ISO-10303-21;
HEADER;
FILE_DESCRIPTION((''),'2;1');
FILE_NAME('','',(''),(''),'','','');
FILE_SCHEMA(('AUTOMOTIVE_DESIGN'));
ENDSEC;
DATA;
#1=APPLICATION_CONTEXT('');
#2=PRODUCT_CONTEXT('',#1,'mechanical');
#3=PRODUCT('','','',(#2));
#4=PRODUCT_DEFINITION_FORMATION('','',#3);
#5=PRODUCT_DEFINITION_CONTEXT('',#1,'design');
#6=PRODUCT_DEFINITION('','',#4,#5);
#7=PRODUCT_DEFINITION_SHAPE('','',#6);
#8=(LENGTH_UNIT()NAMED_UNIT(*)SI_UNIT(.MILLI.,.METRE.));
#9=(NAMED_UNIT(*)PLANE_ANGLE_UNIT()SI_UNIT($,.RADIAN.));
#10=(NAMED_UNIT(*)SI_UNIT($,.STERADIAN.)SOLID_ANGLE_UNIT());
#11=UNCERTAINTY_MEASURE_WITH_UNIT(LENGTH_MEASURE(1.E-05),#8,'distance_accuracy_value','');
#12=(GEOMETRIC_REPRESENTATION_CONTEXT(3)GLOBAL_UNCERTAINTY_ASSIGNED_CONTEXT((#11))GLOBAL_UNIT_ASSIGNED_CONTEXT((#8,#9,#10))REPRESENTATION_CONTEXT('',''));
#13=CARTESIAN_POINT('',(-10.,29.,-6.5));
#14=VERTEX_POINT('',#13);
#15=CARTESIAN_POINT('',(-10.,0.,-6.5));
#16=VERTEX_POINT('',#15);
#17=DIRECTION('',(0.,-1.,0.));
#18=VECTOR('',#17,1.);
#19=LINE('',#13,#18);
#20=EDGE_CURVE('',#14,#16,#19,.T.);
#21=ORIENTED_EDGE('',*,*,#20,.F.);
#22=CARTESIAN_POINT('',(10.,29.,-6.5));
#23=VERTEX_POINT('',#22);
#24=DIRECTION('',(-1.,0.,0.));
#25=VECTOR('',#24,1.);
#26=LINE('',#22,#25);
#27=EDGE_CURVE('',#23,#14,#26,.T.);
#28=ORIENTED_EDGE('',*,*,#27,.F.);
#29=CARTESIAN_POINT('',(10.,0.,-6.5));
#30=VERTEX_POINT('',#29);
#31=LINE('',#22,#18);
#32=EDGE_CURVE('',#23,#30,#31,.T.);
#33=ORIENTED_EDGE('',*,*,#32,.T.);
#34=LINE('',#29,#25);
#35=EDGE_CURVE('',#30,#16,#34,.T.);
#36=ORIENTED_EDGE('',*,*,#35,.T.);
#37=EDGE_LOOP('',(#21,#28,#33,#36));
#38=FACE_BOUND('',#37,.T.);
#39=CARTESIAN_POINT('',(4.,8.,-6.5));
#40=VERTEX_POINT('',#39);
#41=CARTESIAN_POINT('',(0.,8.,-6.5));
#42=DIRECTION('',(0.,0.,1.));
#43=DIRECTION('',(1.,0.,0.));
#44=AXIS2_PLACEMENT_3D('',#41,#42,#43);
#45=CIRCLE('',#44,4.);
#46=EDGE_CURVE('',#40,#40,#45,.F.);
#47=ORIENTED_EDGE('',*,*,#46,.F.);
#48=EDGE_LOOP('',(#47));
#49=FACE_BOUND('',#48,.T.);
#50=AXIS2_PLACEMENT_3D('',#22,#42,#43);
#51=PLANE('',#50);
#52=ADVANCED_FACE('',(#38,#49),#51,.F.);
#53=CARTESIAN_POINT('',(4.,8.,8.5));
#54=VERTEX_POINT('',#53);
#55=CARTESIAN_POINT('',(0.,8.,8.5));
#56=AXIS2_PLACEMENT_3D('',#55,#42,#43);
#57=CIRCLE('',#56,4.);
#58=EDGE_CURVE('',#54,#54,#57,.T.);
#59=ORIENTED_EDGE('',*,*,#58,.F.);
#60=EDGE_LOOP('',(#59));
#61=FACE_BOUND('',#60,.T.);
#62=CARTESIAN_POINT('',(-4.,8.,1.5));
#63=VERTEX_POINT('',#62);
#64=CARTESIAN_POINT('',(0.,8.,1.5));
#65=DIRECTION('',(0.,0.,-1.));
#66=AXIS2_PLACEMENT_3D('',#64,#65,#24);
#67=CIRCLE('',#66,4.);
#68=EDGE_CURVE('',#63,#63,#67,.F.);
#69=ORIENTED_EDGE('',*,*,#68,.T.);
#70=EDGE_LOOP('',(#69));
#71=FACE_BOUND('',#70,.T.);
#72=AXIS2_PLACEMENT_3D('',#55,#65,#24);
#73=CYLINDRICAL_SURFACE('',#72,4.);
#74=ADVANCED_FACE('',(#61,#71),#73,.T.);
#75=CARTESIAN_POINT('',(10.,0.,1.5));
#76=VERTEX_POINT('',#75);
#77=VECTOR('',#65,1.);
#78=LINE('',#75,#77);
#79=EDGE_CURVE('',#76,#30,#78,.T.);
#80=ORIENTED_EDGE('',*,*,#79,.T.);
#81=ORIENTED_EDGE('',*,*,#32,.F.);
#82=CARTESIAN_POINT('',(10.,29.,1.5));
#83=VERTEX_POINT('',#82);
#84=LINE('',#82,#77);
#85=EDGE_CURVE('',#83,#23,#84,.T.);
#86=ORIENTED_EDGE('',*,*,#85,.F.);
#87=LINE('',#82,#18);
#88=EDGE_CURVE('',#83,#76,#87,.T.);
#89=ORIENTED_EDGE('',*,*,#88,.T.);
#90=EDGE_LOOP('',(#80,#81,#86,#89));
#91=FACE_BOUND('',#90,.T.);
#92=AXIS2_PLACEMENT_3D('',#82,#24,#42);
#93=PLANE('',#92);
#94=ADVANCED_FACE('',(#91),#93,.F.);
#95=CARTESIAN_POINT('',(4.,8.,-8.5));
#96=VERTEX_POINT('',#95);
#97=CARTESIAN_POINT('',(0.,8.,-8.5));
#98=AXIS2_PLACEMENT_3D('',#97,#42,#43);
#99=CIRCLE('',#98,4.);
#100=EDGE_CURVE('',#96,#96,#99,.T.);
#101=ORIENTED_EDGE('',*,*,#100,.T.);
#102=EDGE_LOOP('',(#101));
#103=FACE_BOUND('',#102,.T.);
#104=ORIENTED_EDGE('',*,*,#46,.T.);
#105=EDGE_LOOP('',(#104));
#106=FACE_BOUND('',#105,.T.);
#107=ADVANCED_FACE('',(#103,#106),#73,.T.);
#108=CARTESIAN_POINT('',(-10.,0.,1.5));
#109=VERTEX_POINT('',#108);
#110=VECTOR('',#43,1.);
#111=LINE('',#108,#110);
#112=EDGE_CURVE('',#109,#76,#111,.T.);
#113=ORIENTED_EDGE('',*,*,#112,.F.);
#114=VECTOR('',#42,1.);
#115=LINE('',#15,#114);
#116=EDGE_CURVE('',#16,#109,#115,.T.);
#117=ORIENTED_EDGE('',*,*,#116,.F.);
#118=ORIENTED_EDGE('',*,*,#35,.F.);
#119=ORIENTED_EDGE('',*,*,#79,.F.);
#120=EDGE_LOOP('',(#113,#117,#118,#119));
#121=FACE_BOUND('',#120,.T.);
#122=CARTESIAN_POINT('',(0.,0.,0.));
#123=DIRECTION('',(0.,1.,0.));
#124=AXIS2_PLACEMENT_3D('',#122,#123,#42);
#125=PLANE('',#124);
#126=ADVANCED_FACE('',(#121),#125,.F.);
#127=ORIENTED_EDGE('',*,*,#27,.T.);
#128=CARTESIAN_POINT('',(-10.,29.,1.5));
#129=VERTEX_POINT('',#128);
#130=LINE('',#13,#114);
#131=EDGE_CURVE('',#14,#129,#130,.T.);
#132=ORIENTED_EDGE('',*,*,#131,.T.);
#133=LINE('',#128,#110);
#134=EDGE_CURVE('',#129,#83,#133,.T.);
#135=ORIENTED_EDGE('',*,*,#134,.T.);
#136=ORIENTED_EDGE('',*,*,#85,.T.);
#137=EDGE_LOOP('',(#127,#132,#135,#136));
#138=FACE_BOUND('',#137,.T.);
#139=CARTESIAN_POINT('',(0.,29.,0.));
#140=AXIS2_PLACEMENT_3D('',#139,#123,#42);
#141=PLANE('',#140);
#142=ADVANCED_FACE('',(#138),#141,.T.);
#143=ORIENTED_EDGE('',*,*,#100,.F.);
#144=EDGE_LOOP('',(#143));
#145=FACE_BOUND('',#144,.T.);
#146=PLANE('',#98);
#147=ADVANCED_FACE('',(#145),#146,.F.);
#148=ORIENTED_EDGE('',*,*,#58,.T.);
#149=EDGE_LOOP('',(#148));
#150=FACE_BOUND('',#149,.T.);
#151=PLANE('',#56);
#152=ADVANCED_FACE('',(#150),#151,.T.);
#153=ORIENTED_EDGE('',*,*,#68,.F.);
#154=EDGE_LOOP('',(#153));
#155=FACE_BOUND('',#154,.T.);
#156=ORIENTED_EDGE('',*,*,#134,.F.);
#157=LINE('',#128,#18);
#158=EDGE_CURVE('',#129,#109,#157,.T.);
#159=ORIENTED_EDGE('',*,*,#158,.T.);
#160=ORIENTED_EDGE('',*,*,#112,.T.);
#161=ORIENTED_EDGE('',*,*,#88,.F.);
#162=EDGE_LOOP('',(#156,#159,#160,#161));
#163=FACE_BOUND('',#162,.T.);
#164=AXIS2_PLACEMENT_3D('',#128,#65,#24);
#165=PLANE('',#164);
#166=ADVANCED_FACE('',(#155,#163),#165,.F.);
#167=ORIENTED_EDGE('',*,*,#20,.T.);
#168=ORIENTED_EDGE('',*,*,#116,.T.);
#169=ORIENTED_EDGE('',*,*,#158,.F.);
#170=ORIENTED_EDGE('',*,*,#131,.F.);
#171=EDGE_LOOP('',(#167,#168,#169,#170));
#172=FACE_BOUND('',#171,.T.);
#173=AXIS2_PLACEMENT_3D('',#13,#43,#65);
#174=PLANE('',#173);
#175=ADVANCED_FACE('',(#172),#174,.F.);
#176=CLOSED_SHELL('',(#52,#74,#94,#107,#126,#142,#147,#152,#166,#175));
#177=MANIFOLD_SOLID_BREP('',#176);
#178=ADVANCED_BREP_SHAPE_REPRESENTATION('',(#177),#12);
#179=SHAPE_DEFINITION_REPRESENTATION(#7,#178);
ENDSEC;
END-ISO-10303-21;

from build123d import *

# Parameters (mm, degrees)
SK_P01_HANGER_W       = 20
SK_P01_HANGER_H       = 8
P01_HANGER_DEPTH      = 29
P02_PIVOTPIN8MM_START = -8.5
SK_P02_PIVOTPIN8MM_R  = 4
P02_PIVOTPIN8MM_DEPTH = 17


with BuildPart() as part:
    # SK_P01_Hanger → P01_Hanger (new body)
    with BuildSketch(Plane(origin=(0, 0, 0), x_dir=(1, 0, 0), z_dir=(0, 1, 0))):
        with Locations((0, 2.5)):
            Rectangle(SK_P01_HANGER_W, SK_P01_HANGER_H)
    extrude(amount=P01_HANGER_DEPTH)

    # SK_P02_Pivotpin8mm → P02_Pivotpin8mm (add)
    with BuildSketch(Plane.XY.offset(P02_PIVOTPIN8MM_START)):
        with Locations((0, 8)):
            Circle(SK_P02_PIVOTPIN8MM_R)
    extrude(amount=P02_PIVOTPIN8MM_DEPTH)


solid = part.part
